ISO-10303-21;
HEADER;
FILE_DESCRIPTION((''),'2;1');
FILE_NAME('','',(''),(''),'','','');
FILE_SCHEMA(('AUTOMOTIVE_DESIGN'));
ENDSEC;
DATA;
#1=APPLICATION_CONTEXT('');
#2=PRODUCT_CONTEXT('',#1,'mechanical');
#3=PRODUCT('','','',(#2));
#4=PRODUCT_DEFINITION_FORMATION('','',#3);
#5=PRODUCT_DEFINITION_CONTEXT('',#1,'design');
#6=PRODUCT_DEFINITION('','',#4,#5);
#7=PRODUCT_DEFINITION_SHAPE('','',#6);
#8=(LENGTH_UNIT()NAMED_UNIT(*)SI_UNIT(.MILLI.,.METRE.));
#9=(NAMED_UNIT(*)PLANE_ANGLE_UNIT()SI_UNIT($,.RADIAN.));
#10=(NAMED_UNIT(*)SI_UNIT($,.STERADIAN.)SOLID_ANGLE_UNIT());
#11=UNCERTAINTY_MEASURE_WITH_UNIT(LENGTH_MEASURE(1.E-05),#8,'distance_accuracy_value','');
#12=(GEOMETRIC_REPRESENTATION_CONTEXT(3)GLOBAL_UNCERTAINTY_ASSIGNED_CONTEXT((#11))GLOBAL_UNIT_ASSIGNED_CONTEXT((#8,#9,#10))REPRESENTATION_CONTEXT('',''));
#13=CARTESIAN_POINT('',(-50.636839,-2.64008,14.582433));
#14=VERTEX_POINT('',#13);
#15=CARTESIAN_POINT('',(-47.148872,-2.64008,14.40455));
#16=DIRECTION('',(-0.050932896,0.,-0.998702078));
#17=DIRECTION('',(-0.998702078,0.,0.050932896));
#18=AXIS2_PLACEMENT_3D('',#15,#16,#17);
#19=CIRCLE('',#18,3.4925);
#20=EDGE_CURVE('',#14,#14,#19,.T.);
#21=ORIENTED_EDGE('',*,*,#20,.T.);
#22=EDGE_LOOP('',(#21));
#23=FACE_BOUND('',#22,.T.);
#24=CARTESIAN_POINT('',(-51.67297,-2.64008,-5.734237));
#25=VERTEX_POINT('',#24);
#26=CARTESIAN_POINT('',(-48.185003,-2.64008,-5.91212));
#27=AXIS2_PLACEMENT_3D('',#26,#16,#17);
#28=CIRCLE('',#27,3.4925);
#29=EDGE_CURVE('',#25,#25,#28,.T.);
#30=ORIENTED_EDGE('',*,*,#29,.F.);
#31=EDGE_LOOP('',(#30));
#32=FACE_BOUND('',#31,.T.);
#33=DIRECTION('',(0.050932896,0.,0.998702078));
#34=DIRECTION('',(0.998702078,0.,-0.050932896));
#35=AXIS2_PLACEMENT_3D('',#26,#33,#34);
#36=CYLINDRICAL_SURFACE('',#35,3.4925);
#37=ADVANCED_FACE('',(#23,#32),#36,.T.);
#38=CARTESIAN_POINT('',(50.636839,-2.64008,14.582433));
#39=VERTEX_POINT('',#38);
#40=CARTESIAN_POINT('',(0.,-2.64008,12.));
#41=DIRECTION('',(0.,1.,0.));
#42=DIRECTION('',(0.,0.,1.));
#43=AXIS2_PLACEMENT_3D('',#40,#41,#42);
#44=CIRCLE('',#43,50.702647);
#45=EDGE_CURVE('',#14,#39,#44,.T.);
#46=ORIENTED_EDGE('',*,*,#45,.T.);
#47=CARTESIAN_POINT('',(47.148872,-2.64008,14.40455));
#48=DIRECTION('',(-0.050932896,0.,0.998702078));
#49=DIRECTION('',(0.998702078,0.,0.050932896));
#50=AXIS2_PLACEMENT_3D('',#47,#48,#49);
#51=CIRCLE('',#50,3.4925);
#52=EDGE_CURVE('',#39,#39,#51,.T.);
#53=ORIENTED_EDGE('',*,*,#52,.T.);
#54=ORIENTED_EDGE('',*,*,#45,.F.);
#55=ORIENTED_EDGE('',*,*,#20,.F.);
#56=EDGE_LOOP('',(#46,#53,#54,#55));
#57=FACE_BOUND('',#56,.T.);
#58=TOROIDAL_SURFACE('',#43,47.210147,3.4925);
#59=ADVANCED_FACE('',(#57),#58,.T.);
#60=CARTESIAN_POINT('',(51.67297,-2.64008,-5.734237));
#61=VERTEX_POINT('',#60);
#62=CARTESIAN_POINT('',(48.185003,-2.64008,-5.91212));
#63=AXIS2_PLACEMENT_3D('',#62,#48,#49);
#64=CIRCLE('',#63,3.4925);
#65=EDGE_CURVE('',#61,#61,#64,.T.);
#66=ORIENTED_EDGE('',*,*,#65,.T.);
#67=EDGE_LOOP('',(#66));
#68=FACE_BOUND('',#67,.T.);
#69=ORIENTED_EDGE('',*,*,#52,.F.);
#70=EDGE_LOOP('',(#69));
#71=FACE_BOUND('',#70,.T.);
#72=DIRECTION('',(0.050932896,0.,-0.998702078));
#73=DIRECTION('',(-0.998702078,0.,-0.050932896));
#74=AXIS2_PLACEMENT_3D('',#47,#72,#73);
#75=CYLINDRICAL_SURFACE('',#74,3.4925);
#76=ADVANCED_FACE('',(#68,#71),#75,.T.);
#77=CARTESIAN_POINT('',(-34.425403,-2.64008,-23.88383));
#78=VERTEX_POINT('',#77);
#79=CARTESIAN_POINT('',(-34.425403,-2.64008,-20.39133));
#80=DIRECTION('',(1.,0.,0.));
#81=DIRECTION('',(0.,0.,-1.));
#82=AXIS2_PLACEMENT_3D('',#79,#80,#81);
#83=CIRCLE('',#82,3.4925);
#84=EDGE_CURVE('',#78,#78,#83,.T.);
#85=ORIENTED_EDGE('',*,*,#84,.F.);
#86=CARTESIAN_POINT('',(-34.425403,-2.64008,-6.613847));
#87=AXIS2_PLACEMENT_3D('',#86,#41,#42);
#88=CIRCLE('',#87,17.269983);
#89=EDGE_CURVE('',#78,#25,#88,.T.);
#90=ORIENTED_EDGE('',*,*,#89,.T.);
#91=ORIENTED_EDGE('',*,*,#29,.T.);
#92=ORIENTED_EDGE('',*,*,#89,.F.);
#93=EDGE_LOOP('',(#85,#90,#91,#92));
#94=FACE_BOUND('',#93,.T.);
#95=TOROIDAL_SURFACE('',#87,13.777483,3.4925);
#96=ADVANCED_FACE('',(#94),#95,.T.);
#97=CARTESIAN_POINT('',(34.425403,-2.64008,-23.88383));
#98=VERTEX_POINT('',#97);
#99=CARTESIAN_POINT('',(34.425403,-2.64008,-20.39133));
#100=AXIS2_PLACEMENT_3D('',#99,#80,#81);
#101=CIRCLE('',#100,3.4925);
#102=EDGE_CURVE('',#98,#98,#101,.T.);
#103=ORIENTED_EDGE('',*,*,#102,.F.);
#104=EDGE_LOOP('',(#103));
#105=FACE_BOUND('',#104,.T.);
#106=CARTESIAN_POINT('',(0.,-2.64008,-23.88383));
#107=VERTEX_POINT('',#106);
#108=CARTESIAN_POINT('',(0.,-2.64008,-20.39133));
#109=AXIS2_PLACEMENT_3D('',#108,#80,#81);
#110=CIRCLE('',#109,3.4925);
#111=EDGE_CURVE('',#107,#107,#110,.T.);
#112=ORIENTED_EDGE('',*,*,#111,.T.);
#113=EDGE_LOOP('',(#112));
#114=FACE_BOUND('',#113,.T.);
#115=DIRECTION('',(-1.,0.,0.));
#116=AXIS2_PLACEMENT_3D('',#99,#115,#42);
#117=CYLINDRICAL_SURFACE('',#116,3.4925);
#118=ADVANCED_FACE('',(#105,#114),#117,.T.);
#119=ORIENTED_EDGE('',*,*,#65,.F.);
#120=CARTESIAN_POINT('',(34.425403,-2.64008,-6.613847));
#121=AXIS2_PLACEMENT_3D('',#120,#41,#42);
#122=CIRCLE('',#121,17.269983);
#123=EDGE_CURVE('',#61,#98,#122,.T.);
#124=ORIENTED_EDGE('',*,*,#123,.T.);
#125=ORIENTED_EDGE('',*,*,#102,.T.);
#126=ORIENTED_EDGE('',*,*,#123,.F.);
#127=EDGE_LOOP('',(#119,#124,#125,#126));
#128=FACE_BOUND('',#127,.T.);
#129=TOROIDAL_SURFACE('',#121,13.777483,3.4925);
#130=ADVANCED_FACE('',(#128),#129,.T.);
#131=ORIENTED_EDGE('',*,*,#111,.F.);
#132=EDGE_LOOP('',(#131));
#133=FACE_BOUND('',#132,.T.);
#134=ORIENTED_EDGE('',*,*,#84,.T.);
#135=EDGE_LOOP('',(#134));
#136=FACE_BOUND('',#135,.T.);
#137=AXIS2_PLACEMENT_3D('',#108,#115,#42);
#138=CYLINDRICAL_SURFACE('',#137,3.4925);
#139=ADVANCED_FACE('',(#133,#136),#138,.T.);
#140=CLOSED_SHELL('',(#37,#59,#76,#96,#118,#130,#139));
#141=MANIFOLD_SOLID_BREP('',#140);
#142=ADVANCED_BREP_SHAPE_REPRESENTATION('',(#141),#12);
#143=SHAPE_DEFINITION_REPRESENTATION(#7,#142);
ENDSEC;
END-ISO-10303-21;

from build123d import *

# Parameters (mm, degrees)
SKETCH2_R = 3.4925


with BuildPart() as part:
    # Sweep1: sweep along a path in Sketch1
    with BuildLine(Plane(origin=(0, -2.640079968, 0), x_dir=(-1, 0, 0), z_dir=(0, -1, 0))) as sweep1_path:
        Line((47.148871667, -14.404549513), (48.185003302, 5.91211987))
        ThreePointArc((48.185003302, 5.91211987), (44.412571052, 16.104658175), (34.42540277, 20.391329599))
        Line((34.42540277, 20.391329599), (-34.42540277, 20.391329599))
        ThreePointArc((-34.42540277, 20.391329599), (-44.412571052, 16.104658175), (-48.185003302, 5.91211987))
        Line((-48.185003302, 5.91211987), (-47.148871667, -14.404549513))
        ThreePointArc((-47.148871667, -14.404549513), (0, -59.210146768), (47.148871667, -14.404549513))
    # Sketch2 → Sweep1 (sweep)
    with BuildSketch(Plane(origin=(0, 0, 0), x_dir=(0, 0, -1), z_dir=(1, 0, 0))):
        with Locations((20.391329599, -2.640079968)):
            Circle(SKETCH2_R)
    sweep(path=sweep1_path.line)


solid = part.part
